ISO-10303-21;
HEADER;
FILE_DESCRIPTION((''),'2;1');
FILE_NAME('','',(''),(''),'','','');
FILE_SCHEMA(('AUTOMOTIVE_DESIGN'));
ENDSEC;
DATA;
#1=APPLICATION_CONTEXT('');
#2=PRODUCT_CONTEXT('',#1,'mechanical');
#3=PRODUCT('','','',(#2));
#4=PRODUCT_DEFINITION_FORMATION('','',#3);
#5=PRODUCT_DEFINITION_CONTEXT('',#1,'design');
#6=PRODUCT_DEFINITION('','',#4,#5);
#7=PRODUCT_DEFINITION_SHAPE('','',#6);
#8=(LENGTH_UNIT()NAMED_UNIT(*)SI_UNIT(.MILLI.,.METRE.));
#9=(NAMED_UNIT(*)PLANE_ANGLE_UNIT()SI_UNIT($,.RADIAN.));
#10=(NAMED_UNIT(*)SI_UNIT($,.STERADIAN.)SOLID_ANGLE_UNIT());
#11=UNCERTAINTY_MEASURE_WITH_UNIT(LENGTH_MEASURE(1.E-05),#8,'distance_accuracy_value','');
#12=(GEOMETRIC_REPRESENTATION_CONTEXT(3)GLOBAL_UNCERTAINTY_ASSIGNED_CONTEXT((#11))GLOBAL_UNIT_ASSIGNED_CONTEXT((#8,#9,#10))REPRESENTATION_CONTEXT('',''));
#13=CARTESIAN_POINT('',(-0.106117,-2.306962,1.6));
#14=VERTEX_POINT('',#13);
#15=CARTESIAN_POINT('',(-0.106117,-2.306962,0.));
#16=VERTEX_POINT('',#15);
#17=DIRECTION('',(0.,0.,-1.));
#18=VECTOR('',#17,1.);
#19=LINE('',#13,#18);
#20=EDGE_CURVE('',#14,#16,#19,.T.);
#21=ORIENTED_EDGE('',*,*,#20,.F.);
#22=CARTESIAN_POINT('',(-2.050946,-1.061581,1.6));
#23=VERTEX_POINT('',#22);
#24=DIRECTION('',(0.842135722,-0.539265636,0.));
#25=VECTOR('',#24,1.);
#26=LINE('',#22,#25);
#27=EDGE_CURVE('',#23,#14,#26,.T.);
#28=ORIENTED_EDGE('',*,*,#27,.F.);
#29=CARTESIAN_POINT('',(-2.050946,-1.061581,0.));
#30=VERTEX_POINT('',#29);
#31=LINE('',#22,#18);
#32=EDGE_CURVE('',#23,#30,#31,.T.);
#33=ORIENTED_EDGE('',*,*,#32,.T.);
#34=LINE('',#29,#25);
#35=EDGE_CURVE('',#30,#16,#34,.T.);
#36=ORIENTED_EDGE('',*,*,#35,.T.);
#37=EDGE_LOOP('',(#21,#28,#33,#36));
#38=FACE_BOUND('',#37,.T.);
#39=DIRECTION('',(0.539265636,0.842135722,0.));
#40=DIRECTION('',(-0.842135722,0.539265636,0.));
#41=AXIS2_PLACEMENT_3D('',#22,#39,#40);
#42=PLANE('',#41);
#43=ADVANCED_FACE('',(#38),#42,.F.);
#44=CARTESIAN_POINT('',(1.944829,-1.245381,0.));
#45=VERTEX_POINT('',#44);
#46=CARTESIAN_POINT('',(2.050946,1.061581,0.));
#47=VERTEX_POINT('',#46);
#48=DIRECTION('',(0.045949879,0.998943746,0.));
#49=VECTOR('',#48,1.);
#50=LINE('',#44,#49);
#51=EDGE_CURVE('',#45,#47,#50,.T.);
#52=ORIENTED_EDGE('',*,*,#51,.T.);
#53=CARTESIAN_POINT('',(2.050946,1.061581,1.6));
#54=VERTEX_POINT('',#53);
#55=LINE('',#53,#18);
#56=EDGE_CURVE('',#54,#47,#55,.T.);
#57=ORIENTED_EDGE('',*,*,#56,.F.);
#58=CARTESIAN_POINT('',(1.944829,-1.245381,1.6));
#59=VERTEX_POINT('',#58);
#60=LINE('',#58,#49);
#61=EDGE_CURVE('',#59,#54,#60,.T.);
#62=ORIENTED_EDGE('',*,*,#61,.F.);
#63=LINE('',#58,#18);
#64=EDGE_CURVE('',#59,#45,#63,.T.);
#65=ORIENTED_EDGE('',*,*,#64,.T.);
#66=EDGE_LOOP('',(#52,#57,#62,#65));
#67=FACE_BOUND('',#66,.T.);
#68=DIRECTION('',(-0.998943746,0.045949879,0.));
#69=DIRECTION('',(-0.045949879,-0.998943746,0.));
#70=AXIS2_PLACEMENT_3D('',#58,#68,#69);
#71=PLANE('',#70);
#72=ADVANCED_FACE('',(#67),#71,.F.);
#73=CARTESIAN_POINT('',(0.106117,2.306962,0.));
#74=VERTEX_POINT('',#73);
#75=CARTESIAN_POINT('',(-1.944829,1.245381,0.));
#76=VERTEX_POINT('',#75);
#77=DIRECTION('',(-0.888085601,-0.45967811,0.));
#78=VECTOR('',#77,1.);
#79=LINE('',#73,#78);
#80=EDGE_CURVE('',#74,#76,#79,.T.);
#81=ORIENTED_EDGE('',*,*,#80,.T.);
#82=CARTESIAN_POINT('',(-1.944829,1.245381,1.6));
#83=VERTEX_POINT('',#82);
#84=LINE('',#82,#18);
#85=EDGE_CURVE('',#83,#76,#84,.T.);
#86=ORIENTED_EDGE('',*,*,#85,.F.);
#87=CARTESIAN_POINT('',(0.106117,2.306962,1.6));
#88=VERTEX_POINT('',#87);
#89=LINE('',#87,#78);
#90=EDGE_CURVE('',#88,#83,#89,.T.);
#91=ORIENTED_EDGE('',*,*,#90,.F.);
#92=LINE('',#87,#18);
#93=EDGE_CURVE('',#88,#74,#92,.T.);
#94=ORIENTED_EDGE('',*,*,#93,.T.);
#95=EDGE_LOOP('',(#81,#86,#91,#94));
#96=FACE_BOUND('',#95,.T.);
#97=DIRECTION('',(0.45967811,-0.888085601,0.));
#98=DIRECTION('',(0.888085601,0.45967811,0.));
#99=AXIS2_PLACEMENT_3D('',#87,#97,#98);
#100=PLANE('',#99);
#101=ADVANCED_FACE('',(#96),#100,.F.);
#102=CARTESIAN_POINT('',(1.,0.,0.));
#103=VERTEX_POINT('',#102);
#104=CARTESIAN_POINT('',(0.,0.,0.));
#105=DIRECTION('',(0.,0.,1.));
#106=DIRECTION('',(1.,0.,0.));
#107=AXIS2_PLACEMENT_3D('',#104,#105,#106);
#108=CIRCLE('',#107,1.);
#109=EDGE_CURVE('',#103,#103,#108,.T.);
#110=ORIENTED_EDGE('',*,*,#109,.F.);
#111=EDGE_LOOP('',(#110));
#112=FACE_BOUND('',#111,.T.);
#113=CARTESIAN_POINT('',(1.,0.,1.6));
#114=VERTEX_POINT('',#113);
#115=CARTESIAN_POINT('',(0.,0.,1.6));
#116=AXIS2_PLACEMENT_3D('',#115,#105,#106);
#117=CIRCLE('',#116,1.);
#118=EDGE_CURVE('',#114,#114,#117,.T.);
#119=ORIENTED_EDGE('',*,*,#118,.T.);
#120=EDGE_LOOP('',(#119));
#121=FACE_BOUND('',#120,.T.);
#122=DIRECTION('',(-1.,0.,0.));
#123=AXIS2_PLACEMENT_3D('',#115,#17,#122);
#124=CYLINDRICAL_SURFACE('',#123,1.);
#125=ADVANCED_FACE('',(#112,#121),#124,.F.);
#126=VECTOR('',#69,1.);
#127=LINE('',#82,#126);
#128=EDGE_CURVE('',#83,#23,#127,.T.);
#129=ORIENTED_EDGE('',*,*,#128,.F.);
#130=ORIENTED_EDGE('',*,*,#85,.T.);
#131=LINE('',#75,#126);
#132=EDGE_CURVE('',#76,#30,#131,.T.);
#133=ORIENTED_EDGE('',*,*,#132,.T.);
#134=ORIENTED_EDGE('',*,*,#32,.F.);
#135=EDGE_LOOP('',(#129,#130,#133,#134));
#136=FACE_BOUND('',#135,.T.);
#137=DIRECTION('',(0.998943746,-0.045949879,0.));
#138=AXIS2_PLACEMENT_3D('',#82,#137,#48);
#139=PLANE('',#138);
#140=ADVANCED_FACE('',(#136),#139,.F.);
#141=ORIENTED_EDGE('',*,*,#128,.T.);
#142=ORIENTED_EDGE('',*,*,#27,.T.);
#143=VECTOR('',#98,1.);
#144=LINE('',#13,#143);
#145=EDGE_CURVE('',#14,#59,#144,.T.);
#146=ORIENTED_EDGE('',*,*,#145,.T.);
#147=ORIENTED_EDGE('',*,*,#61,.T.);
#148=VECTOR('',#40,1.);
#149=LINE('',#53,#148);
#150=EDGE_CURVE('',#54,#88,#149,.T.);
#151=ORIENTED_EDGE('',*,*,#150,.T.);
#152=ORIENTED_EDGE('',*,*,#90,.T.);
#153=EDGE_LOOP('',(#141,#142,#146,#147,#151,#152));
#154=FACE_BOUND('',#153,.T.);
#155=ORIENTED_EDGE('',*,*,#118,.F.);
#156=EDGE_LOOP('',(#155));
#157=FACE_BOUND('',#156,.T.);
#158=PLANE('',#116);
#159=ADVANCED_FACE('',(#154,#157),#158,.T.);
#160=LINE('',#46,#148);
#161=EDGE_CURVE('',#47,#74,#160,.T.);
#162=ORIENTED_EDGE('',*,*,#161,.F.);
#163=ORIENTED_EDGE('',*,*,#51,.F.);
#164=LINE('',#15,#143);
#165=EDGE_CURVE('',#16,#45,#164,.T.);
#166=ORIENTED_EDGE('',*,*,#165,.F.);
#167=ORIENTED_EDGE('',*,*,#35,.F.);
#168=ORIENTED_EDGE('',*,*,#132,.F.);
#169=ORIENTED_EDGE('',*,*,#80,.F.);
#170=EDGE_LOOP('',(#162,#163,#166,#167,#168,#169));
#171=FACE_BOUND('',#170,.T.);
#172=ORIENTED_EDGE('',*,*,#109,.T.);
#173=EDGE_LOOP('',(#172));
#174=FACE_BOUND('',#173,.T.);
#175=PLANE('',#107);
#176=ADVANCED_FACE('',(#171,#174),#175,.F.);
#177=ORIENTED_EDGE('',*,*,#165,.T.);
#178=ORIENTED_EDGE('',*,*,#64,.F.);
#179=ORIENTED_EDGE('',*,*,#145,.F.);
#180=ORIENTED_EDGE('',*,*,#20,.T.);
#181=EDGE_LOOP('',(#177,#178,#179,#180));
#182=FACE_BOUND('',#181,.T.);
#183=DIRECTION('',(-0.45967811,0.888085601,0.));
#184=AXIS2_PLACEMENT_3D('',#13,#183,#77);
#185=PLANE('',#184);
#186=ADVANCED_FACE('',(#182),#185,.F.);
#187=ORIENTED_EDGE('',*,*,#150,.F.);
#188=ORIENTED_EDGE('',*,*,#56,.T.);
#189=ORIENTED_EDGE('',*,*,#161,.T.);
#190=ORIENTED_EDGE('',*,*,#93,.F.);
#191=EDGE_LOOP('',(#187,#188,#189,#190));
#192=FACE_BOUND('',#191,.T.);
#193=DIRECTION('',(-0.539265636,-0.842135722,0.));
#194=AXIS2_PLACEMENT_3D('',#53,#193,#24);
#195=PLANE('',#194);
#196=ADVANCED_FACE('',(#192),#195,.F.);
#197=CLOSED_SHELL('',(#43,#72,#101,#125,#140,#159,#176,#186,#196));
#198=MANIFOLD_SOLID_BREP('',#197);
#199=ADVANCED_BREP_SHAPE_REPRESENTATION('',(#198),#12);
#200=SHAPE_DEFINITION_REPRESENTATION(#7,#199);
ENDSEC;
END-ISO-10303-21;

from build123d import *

# Parameters (mm, degrees)
SKETCH_1_R      = 1
EXTRUDE_1_DEPTH = 1.6


with BuildPart() as part:
    # ｽｹｯﾁ1 → ﾎﾞｽ - 押し出し1 (new body)
    with BuildSketch(Plane.XY):
        Polygon((-2.050945843, -1.061581123), (-0.106116701, -2.306961764), (1.944829142, -1.245380641), (2.050945843, 1.061581123), (0.106116701, 2.306961764), (-1.944829142, 1.245380641), align=None)
        Circle(SKETCH_1_R, mode=Mode.SUBTRACT)
    extrude(amount=EXTRUDE_1_DEPTH)


solid = part.part
